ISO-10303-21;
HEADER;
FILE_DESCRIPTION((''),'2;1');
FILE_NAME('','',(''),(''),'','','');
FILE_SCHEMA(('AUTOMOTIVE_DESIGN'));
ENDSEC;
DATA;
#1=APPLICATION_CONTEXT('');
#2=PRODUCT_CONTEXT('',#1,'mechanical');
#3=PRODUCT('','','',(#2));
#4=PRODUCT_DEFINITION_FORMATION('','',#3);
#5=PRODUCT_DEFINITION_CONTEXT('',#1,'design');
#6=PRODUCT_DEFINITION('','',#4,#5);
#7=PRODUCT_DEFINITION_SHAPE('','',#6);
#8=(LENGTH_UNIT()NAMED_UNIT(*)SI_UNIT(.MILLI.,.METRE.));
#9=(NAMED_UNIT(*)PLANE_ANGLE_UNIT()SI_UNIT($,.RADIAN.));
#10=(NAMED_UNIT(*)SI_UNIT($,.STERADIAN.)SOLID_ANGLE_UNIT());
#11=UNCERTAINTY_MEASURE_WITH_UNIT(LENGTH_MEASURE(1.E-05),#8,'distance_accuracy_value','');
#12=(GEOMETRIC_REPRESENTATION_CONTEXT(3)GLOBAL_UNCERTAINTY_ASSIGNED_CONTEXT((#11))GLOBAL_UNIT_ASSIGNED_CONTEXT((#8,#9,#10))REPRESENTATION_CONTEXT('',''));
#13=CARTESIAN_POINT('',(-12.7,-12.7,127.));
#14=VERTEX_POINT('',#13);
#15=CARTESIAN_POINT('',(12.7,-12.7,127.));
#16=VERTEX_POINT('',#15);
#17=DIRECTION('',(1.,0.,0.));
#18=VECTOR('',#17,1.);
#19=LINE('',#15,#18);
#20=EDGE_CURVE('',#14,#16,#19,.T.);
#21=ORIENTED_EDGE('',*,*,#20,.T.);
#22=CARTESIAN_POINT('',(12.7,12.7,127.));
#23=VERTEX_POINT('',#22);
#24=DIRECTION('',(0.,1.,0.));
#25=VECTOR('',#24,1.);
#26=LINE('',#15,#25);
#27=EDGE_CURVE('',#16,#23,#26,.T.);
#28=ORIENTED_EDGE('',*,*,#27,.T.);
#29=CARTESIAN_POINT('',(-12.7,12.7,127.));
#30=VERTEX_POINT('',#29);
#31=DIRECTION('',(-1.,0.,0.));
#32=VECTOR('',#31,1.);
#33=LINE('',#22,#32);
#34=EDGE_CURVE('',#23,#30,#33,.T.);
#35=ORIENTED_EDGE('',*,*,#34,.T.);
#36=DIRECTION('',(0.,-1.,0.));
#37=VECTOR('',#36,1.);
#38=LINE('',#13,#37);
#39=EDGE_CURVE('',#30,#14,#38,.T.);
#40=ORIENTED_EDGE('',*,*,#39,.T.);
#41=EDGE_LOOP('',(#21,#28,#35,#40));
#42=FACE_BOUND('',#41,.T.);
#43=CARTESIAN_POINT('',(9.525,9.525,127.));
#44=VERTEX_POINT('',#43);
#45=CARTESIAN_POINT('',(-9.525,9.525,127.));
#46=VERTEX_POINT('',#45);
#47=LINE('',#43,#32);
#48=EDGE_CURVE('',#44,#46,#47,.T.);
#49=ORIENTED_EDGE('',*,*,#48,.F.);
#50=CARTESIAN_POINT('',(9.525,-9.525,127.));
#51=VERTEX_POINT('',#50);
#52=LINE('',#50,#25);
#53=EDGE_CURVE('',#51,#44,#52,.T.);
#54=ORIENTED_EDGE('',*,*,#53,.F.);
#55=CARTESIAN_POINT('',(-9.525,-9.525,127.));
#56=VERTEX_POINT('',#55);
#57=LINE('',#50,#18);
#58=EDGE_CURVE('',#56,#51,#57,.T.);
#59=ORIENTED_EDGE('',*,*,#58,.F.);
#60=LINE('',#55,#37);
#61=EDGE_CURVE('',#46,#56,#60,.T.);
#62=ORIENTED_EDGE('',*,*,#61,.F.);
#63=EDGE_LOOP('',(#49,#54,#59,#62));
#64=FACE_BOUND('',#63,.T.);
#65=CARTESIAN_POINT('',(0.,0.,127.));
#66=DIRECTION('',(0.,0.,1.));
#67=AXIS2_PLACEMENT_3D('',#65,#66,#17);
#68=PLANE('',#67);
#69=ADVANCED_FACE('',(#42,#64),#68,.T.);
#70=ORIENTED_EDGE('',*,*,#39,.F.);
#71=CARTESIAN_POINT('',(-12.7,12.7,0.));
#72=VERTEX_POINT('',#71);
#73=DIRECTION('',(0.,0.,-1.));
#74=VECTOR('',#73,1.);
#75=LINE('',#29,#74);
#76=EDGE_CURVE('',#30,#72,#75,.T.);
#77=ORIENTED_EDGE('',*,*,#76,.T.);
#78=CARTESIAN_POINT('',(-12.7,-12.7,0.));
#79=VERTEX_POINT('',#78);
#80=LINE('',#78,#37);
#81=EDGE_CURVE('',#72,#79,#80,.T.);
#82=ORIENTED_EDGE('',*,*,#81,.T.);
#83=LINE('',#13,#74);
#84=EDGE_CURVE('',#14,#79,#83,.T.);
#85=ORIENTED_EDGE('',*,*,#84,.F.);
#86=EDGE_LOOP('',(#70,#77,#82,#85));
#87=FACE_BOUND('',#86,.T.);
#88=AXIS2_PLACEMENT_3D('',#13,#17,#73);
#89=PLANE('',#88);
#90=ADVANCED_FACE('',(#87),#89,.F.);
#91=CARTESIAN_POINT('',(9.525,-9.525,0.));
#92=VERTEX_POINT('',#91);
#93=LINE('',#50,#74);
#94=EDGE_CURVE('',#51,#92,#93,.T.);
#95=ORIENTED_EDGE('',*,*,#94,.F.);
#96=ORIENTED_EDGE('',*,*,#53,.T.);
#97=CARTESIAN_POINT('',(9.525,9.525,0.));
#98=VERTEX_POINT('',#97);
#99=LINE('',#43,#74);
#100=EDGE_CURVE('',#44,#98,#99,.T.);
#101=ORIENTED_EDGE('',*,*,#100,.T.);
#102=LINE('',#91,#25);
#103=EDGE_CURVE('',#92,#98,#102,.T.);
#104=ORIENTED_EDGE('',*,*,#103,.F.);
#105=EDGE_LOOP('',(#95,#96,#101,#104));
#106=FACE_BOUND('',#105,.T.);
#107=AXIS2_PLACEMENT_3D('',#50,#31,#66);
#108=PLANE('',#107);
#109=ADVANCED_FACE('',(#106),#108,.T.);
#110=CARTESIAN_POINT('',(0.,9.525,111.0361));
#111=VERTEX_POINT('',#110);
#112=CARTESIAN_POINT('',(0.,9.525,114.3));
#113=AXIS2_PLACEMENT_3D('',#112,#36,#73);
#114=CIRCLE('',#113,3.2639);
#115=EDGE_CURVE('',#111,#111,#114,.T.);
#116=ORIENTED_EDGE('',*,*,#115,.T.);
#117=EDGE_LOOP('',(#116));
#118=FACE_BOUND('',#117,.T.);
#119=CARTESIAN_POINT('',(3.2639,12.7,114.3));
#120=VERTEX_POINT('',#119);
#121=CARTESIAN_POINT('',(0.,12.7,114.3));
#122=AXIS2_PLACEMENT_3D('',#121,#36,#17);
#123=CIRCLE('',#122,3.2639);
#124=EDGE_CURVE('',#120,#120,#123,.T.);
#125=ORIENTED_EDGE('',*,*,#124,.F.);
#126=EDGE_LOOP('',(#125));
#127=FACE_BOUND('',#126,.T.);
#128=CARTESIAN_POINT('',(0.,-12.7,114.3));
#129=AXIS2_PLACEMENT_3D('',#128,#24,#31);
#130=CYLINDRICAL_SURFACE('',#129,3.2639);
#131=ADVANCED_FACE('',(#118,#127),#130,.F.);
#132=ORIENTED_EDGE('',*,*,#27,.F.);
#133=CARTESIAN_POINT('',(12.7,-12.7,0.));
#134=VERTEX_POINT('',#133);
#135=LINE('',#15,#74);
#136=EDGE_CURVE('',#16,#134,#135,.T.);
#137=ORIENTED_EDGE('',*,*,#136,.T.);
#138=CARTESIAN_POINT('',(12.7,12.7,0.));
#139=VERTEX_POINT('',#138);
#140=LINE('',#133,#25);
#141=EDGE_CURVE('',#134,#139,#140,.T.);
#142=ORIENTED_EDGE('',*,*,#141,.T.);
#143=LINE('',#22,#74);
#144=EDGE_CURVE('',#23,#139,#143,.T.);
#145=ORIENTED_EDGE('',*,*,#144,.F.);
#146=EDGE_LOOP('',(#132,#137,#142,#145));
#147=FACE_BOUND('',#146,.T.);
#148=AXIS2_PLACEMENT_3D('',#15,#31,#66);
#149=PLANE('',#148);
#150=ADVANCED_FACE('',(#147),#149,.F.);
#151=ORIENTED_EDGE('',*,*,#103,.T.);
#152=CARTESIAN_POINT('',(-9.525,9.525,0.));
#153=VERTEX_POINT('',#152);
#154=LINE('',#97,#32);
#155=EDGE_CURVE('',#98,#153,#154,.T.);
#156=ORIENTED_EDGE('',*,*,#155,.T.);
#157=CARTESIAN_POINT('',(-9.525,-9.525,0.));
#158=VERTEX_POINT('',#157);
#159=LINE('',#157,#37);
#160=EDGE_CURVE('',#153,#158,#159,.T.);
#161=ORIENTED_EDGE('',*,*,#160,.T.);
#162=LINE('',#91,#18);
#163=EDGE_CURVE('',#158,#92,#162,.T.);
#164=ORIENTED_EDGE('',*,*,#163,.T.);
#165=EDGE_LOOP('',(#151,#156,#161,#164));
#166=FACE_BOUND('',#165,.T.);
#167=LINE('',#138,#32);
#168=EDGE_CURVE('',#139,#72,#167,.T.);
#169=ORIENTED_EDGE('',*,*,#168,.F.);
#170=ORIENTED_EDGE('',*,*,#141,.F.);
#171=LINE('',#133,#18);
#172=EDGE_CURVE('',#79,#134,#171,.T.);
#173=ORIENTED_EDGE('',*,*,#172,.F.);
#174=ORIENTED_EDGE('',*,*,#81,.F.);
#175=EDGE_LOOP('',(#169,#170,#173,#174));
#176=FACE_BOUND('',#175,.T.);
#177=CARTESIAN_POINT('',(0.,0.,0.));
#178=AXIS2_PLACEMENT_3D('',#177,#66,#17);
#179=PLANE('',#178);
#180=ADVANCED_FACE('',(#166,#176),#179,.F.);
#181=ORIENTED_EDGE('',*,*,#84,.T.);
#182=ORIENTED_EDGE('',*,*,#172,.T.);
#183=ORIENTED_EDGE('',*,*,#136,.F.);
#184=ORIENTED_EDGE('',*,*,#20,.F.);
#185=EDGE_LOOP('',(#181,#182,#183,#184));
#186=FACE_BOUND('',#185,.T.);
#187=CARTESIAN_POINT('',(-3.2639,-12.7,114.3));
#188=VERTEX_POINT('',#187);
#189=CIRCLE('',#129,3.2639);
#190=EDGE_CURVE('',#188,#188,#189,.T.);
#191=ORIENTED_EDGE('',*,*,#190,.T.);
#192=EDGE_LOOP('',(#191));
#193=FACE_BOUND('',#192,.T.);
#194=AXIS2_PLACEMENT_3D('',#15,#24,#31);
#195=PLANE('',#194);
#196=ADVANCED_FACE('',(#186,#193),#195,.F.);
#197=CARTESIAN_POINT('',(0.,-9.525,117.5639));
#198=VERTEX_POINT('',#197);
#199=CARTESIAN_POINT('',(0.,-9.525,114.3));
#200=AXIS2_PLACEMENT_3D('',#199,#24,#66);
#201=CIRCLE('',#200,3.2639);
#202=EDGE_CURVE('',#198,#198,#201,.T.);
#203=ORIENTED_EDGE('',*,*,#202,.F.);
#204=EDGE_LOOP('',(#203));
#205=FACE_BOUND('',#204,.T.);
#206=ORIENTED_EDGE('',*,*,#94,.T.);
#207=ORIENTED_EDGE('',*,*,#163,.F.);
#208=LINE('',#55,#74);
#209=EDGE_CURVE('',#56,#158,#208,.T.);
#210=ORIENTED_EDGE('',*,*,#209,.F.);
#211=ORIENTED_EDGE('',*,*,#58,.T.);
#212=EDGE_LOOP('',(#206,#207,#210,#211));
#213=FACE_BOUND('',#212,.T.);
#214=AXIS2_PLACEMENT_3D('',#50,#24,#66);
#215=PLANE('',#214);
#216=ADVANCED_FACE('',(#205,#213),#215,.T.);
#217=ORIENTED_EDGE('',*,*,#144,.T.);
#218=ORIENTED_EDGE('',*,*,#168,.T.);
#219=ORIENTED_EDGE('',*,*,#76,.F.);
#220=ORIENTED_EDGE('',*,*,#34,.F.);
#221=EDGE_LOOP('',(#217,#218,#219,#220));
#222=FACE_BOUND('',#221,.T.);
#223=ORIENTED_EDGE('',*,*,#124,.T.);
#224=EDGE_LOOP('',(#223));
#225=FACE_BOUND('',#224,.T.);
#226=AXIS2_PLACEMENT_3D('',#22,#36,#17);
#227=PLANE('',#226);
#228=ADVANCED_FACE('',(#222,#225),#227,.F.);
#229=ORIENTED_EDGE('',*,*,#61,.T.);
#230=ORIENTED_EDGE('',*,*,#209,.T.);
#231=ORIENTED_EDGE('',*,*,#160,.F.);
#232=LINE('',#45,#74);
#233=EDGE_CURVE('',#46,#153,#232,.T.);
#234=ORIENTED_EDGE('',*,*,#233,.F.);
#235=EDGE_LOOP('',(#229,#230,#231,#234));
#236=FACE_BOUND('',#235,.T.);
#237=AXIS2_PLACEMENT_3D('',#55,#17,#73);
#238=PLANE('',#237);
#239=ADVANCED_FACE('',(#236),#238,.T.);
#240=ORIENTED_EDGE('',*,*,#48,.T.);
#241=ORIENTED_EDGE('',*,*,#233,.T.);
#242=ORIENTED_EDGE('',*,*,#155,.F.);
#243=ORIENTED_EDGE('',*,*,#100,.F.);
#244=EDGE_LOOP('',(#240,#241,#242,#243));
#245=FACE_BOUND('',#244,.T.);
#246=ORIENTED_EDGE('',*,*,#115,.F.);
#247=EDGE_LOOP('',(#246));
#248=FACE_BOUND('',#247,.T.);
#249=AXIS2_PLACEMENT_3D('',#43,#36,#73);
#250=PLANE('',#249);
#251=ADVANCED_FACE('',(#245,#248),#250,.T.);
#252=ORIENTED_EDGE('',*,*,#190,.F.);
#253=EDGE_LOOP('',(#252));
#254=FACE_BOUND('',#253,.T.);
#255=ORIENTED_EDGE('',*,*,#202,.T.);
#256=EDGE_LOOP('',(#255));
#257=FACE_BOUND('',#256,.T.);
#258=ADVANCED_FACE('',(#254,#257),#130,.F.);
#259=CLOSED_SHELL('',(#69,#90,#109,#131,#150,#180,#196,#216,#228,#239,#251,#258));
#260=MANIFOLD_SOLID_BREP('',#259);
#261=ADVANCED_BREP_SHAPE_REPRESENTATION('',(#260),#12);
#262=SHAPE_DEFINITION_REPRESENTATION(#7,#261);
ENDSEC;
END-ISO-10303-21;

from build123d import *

# Parameters (mm, degrees)
SKETCH1_W               = 25.4
SKETCH1_H               = 25.4
BOSS_EXTRUDE1_DEPTH     = 127
SKETCH2_W               = 19.05
SKETCH2_H               = 19.05
CUT_EXTRUDE1_DEPTH      = 129.263712717
CUT_EXTRUDE2_DEPTH      = 131.136274728
CUT_EXTRUDE2_DEPTH_BACK = 131.136274728
SKETCH3_R               = 3.2639


with BuildPart() as part:
    # Sketch1 → Boss-Extrude1 (new body)
    with BuildSketch(Plane.XY):
        Rectangle(SKETCH1_W, SKETCH1_H)
    extrude(amount=BOSS_EXTRUDE1_DEPTH)

    # Sketch2 → Cut-Extrude1 (cut, through all)
    with BuildSketch(Plane.XY):
        Rectangle(SKETCH2_W, SKETCH2_H)
    extrude(amount=CUT_EXTRUDE1_DEPTH, mode=Mode.SUBTRACT)

    # Sketch3 → Cut-Extrude2 (cut, two sides: drawn at the far end of the back side and taken through both)
    with BuildSketch(Plane(origin=(0, 12.7, 0), x_dir=(1, 0, 0), z_dir=(0, 1, 0)).offset(-CUT_EXTRUDE2_DEPTH_BACK)):
        with Locations(Location((0, -114.3, 0), (0, 0, 90))):
            Circle(SKETCH3_R)
    extrude(amount=CUT_EXTRUDE2_DEPTH + CUT_EXTRUDE2_DEPTH_BACK, mode=Mode.SUBTRACT)


solid = part.part
